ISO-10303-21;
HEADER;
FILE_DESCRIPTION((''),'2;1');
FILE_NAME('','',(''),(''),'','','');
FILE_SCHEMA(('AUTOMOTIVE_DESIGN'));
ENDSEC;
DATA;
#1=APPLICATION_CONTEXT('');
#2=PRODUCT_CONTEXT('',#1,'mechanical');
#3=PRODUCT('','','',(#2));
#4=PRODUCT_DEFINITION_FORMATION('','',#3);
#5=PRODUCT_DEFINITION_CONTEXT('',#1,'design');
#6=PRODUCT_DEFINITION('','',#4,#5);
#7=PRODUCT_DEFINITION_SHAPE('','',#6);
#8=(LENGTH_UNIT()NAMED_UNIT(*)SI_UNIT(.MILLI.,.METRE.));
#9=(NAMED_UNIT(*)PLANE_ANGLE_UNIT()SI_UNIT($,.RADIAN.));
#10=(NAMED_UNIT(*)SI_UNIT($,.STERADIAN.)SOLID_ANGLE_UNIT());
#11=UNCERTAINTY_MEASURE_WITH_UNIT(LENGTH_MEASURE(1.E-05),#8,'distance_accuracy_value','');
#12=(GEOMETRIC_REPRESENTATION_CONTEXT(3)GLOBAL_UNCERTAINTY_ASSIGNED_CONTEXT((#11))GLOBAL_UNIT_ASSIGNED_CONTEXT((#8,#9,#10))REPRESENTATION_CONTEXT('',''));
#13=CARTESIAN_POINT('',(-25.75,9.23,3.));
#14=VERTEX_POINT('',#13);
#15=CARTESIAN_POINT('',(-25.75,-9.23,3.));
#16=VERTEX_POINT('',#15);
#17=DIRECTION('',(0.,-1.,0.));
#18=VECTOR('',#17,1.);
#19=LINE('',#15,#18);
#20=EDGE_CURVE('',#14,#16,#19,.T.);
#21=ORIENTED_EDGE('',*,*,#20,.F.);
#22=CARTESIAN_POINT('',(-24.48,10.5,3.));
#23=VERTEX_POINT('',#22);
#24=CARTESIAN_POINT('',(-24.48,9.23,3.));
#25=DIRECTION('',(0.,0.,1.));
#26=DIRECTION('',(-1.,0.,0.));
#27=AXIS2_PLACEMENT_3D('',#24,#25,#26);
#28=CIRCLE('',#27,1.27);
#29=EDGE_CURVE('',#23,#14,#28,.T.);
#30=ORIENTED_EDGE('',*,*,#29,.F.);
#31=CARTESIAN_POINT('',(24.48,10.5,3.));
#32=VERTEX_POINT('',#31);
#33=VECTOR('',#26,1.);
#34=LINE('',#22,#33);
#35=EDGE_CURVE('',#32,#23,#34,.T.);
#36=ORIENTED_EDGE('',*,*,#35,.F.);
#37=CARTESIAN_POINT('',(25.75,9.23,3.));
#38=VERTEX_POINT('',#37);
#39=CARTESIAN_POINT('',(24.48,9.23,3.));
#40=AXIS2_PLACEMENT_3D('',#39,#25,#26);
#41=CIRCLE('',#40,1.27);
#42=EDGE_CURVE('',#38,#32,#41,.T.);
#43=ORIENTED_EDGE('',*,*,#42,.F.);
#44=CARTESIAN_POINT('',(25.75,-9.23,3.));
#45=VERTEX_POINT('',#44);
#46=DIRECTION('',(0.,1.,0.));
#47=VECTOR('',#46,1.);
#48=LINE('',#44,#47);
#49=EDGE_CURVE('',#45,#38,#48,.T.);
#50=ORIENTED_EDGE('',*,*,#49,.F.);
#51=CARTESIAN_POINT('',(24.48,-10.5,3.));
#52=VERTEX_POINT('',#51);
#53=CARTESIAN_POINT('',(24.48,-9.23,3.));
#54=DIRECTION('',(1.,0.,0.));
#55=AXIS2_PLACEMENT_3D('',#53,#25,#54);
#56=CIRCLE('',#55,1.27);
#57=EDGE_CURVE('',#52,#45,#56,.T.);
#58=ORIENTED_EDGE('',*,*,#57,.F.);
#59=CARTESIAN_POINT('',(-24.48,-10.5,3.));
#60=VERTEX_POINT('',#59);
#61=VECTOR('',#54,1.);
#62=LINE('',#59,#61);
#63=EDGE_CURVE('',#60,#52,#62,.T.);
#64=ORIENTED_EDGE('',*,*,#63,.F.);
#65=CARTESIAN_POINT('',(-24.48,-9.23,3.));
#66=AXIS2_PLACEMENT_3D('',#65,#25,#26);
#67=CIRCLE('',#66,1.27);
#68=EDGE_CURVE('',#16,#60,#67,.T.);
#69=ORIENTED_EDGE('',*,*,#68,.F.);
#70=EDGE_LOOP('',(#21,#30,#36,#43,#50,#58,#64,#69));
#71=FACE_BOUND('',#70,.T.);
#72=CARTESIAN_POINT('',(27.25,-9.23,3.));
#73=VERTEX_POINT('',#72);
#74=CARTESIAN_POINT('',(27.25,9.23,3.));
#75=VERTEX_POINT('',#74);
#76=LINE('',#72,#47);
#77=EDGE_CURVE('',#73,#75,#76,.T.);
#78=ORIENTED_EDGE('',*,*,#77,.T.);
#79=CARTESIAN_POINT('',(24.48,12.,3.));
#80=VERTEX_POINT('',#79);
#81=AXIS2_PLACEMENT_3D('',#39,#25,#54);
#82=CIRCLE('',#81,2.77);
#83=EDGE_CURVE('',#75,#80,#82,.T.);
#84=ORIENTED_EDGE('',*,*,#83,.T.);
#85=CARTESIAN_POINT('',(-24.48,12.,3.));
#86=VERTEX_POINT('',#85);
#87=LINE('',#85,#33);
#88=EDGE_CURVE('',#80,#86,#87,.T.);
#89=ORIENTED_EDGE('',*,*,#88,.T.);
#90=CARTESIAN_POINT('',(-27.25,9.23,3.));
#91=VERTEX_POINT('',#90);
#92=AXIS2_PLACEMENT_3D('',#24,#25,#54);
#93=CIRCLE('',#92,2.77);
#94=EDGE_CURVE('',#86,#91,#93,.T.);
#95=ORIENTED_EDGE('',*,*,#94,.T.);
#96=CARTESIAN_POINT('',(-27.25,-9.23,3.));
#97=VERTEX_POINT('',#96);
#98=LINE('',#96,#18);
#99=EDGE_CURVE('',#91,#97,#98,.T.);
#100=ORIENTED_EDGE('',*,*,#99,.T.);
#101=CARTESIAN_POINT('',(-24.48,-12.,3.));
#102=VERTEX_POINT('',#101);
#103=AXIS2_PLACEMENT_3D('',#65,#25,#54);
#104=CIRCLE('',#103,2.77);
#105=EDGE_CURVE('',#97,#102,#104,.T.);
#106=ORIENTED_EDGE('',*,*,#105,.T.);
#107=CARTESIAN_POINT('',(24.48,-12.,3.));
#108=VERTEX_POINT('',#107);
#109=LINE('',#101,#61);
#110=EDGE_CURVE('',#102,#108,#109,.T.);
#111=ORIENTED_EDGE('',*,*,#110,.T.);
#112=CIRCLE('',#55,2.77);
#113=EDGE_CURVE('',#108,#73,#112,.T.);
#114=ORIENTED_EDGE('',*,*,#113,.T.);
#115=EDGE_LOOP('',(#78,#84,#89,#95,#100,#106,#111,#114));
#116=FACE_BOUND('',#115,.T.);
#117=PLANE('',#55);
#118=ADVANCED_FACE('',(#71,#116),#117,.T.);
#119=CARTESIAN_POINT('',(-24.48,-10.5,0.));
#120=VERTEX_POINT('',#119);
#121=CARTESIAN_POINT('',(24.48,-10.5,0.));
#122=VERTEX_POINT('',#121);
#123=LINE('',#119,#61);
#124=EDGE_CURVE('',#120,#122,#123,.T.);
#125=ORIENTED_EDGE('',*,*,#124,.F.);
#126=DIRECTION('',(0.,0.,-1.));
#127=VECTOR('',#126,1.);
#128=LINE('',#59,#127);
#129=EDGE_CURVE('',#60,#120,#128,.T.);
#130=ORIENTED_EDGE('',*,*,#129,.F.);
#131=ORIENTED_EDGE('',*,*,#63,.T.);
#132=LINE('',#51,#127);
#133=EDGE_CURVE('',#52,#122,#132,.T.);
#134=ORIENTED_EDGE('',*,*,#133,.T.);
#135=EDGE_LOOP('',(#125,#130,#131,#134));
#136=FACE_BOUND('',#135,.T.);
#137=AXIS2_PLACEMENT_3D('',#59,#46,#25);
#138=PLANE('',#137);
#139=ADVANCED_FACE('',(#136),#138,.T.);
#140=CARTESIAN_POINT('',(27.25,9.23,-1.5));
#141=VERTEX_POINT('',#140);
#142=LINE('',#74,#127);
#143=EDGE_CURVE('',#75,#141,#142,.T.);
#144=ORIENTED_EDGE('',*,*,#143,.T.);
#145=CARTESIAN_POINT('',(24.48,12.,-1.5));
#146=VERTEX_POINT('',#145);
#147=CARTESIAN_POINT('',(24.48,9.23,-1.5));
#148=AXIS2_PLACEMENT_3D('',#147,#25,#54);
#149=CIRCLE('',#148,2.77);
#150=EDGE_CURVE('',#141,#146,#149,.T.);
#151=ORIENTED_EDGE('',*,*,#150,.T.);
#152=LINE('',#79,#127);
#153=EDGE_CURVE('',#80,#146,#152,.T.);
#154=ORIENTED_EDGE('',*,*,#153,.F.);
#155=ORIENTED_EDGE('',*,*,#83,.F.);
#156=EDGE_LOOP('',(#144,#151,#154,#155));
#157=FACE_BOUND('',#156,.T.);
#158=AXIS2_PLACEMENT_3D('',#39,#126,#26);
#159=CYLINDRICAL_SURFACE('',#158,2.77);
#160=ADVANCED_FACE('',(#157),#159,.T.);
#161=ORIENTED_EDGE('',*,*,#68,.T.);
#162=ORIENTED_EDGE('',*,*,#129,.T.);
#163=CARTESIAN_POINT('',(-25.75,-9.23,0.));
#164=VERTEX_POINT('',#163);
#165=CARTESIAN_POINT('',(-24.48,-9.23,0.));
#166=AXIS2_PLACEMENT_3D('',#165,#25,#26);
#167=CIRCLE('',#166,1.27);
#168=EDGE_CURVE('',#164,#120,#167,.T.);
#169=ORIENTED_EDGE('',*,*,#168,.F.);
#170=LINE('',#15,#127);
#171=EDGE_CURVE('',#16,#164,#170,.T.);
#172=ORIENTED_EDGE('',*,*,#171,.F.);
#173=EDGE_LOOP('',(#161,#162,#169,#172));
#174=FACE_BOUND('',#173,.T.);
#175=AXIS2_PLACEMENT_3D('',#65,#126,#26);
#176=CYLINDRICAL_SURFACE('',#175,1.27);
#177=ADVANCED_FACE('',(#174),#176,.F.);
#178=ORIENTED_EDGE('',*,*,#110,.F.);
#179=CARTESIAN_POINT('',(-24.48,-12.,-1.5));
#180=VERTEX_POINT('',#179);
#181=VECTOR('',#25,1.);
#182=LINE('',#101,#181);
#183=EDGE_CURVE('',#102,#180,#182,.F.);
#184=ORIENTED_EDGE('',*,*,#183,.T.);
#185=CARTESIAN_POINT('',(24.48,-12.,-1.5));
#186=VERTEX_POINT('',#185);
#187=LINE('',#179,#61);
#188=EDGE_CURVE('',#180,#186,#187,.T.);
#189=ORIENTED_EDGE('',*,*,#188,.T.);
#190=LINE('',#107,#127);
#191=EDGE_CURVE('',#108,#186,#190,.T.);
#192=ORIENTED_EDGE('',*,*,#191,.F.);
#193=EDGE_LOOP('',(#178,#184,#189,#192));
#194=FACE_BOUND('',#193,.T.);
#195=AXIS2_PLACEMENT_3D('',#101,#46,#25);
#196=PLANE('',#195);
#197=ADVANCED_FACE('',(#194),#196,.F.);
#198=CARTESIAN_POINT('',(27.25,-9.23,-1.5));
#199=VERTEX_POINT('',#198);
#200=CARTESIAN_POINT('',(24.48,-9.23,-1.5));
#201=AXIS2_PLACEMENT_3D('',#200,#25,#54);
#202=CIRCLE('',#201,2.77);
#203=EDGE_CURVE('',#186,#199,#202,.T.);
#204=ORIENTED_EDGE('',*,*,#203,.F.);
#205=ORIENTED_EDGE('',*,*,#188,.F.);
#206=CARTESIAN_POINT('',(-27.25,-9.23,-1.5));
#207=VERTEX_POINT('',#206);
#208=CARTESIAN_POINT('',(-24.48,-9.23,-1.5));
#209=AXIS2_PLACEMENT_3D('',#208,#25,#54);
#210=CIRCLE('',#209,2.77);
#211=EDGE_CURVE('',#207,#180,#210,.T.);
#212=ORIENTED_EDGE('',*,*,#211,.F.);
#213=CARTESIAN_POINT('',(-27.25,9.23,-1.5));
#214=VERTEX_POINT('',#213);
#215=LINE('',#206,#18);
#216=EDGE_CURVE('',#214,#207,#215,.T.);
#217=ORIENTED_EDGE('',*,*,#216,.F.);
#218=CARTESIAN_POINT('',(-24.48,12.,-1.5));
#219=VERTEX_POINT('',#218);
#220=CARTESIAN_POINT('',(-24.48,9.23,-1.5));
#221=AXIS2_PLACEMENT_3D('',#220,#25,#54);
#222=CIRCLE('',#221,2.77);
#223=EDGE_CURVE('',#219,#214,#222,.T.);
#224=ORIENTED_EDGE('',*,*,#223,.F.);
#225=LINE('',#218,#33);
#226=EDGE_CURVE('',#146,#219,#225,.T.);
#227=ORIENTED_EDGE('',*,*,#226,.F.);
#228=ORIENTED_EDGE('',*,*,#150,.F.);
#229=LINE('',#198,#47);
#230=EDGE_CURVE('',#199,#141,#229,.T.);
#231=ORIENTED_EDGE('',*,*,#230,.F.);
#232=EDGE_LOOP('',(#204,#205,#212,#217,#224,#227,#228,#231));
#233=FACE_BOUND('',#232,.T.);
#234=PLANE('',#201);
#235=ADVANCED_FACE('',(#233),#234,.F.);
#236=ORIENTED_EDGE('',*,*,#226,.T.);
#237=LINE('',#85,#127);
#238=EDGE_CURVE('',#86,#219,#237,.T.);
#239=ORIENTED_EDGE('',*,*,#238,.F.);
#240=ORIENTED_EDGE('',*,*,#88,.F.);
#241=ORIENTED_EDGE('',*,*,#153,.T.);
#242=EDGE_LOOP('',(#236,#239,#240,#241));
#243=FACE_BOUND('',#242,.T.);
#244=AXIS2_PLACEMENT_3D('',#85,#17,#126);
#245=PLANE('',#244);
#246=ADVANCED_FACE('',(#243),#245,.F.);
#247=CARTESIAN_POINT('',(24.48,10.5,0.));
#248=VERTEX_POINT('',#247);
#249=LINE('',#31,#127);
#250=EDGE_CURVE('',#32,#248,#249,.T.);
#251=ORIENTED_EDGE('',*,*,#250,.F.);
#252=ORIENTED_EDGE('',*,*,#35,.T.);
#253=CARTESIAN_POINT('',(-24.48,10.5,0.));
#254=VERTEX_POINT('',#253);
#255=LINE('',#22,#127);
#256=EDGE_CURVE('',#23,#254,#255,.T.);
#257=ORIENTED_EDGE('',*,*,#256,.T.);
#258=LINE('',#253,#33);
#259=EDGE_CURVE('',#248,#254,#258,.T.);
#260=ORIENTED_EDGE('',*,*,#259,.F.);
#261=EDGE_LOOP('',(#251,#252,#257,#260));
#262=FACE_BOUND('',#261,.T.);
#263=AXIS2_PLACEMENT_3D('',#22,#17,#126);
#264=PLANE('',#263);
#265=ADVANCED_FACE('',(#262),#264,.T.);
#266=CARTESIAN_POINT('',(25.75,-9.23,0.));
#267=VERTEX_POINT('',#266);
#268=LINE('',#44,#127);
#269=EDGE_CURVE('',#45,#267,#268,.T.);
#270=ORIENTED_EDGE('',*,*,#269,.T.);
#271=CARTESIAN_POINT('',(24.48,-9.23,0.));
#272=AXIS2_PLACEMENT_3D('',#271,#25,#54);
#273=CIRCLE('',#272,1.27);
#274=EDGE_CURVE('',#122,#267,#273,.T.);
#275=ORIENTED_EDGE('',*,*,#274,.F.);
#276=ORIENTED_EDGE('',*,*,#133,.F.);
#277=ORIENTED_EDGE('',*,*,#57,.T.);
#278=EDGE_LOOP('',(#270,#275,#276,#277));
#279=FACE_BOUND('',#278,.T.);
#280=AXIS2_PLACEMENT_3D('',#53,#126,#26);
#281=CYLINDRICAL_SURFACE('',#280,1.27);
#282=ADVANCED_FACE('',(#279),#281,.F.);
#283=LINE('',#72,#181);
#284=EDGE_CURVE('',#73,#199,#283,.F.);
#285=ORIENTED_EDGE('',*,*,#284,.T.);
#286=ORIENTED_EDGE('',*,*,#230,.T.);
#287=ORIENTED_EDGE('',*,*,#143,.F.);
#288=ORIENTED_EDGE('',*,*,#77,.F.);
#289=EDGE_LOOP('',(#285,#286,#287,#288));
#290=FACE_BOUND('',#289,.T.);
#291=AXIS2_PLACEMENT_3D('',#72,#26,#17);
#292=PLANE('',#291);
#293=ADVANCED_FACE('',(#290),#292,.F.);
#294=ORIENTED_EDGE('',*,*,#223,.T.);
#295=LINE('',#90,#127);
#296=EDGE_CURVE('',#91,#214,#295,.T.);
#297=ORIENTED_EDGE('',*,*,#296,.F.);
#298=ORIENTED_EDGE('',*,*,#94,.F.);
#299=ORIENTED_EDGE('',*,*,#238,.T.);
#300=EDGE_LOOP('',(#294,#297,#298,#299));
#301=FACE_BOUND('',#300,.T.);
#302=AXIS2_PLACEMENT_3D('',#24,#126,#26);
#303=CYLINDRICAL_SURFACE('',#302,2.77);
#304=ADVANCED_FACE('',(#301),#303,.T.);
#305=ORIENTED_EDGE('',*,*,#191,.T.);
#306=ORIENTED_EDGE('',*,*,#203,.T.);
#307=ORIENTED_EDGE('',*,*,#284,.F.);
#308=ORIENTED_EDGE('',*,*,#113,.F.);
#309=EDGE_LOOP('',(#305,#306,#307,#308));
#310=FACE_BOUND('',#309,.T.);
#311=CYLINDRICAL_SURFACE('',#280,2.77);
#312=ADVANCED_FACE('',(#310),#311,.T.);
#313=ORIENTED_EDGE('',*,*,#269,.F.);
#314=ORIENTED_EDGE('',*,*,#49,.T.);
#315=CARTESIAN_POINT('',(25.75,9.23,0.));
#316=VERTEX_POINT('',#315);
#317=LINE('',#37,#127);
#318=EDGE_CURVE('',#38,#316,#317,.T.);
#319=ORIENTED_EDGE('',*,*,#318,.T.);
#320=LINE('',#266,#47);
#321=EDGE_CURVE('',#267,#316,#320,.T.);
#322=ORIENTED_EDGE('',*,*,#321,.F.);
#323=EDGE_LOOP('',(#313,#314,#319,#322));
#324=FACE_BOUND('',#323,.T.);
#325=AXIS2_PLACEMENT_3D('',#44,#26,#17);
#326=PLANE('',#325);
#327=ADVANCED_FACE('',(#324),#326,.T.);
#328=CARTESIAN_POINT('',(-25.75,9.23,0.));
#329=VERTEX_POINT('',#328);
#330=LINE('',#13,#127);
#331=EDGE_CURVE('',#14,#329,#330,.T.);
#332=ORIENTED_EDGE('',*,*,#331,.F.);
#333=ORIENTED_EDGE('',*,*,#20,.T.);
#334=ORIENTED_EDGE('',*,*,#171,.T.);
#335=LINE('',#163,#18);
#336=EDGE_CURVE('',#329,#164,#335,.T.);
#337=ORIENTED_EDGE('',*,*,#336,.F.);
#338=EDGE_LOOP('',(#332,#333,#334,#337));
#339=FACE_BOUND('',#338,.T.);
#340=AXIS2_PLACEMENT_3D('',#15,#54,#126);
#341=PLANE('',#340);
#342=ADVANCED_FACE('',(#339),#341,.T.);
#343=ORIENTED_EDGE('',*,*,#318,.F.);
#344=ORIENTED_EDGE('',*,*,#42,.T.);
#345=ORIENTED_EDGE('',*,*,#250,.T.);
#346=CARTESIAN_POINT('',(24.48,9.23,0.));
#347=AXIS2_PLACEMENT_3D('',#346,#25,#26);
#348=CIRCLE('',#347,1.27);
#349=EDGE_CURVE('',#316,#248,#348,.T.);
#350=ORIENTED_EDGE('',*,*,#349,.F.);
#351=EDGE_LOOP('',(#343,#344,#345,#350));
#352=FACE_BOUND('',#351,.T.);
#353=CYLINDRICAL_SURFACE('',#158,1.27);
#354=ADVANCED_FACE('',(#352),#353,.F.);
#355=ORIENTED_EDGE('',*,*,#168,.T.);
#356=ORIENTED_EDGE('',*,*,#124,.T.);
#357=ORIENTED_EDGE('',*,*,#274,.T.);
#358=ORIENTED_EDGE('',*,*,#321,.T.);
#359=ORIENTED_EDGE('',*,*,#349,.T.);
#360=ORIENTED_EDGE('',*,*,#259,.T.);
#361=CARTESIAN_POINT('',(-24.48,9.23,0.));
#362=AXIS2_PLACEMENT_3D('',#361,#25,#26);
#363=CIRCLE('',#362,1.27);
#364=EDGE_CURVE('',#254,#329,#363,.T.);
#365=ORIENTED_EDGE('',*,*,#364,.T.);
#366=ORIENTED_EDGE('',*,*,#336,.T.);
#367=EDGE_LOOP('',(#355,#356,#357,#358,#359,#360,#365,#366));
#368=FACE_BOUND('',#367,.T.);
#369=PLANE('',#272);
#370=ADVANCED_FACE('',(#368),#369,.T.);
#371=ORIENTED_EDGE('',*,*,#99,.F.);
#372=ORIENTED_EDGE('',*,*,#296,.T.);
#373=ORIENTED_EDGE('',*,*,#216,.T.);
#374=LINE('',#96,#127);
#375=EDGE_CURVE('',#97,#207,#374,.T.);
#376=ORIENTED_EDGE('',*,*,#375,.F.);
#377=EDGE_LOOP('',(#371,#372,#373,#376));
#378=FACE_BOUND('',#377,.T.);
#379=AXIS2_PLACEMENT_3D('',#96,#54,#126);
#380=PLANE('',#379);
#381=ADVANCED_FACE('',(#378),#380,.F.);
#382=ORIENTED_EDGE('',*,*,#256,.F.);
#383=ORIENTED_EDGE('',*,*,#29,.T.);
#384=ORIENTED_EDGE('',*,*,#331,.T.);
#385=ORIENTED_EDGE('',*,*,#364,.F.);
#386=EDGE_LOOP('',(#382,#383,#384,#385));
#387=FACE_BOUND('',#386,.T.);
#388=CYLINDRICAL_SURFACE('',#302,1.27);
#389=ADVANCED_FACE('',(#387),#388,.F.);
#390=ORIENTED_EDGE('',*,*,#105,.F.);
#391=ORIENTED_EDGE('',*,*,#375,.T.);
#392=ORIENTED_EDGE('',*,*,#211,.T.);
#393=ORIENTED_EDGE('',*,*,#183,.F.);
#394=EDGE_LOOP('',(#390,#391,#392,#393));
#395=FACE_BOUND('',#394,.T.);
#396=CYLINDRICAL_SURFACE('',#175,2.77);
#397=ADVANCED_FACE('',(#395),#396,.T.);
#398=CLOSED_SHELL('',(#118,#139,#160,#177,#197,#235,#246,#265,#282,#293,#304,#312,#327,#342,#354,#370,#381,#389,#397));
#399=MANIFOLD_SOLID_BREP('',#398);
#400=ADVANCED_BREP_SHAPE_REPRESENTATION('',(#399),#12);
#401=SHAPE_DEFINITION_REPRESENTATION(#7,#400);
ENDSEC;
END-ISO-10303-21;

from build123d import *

# Parameters (mm, degrees)
BOSS_EXTRU_1_DEPTH = 3
COQUE1_T           = 1.5


with BuildPart() as part:
    # Esquisse1 → Boss.-Extru.1 (new body)
    with BuildSketch(Plane.XY):
        with BuildLine():
            Line((-24.48, -10.5), (24.48, -10.5))
            ThreePointArc((24.48, -10.5), (25.378025612, -10.128025612), (25.75, -9.23))
            Line((25.75, -9.23), (25.75, 9.23))
            ThreePointArc((25.75, 9.23), (25.378025612, 10.128025612), (24.48, 10.5))
            Line((24.48, 10.5), (-24.48, 10.5))
            ThreePointArc((-24.48, 10.5), (-25.378025612, 10.128025612), (-25.75, 9.23))
            Line((-25.75, 9.23), (-25.75, -9.23))
            ThreePointArc((-25.75, -9.23), (-25.378025612, -10.128025612), (-24.48, -10.5))
        make_face()
    extrude(amount=BOSS_EXTRU_1_DEPTH)

    # Coque1
    coque1_openings = [part.faces().sort_by_distance(p)[0] for p in [
        (0, 0, 3),
    ]]
    offset(amount=COQUE1_T, openings=coque1_openings, kind=Kind.INTERSECTION)


solid = part.part
